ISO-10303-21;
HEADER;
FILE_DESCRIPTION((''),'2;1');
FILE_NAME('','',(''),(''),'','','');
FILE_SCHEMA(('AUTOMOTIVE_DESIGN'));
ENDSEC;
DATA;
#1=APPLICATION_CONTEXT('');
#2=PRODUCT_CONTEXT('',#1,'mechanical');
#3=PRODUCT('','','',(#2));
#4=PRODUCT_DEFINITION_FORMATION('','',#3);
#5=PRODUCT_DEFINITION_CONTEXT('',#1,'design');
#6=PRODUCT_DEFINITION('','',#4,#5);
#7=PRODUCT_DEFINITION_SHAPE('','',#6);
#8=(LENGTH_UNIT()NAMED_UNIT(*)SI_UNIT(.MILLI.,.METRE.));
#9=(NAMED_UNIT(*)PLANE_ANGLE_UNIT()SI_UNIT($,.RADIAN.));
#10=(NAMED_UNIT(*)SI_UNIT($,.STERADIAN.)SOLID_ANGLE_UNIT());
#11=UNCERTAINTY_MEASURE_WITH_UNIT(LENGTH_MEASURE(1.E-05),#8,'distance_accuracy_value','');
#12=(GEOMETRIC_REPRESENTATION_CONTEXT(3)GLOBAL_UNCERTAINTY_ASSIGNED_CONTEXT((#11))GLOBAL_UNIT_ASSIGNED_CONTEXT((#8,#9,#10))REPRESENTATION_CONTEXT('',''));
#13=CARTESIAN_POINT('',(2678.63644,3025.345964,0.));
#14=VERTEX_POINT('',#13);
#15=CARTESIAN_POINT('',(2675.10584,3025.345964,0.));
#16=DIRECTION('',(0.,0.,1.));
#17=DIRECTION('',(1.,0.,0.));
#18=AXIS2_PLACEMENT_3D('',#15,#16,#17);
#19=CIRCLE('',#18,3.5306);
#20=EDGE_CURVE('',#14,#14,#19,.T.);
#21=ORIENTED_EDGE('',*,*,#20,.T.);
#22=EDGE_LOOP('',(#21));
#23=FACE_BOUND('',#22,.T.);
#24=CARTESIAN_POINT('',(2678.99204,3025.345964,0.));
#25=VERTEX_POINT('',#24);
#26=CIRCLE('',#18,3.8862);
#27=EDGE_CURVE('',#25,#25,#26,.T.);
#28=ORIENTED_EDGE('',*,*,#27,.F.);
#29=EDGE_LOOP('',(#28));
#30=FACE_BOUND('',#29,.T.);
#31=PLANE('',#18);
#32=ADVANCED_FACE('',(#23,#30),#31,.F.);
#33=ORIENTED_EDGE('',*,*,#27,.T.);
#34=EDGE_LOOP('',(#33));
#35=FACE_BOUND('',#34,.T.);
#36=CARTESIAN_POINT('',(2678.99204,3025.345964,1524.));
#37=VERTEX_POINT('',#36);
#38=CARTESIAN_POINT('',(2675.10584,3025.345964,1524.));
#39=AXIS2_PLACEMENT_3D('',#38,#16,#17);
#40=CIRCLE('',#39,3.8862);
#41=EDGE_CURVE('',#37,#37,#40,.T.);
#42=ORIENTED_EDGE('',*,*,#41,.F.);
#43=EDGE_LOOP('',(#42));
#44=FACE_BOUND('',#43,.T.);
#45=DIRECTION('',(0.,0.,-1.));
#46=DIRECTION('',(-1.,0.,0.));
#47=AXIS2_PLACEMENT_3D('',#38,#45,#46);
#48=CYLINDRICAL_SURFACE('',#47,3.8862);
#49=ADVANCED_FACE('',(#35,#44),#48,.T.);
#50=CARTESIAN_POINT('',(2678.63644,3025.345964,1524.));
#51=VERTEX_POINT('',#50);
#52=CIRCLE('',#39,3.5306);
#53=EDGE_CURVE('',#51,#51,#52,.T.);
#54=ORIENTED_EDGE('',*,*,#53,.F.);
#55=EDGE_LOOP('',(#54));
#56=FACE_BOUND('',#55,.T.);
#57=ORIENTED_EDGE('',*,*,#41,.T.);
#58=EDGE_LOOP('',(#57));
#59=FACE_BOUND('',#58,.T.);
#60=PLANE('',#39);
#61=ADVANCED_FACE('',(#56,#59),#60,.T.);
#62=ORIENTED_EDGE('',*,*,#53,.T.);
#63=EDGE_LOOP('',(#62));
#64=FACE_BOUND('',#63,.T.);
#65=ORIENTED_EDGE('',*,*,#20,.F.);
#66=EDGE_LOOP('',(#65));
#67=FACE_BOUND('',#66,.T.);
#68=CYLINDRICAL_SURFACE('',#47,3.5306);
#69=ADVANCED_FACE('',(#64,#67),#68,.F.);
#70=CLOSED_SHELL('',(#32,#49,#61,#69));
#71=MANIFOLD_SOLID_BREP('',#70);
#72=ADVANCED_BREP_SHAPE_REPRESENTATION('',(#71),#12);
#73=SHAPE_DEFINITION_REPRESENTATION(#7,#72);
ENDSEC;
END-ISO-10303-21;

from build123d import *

# Parameters (mm, degrees)
SKETCH1_R           = 3.8862
SKETCH1_R_2         = 3.5306
BOSS_EXTRUDE1_DEPTH = 1524


with BuildPart() as part:
    # Sketch1 → Boss-Extrude1 (new body)
    with BuildSketch(Plane.XY):
        with Locations((2675.105839614, 3025.345964382)):
            Circle(SKETCH1_R)
        with Locations((2675.105839614, 3025.345964382)):
            Circle(SKETCH1_R_2, mode=Mode.SUBTRACT)
    extrude(amount=BOSS_EXTRUDE1_DEPTH)


solid = part.part
